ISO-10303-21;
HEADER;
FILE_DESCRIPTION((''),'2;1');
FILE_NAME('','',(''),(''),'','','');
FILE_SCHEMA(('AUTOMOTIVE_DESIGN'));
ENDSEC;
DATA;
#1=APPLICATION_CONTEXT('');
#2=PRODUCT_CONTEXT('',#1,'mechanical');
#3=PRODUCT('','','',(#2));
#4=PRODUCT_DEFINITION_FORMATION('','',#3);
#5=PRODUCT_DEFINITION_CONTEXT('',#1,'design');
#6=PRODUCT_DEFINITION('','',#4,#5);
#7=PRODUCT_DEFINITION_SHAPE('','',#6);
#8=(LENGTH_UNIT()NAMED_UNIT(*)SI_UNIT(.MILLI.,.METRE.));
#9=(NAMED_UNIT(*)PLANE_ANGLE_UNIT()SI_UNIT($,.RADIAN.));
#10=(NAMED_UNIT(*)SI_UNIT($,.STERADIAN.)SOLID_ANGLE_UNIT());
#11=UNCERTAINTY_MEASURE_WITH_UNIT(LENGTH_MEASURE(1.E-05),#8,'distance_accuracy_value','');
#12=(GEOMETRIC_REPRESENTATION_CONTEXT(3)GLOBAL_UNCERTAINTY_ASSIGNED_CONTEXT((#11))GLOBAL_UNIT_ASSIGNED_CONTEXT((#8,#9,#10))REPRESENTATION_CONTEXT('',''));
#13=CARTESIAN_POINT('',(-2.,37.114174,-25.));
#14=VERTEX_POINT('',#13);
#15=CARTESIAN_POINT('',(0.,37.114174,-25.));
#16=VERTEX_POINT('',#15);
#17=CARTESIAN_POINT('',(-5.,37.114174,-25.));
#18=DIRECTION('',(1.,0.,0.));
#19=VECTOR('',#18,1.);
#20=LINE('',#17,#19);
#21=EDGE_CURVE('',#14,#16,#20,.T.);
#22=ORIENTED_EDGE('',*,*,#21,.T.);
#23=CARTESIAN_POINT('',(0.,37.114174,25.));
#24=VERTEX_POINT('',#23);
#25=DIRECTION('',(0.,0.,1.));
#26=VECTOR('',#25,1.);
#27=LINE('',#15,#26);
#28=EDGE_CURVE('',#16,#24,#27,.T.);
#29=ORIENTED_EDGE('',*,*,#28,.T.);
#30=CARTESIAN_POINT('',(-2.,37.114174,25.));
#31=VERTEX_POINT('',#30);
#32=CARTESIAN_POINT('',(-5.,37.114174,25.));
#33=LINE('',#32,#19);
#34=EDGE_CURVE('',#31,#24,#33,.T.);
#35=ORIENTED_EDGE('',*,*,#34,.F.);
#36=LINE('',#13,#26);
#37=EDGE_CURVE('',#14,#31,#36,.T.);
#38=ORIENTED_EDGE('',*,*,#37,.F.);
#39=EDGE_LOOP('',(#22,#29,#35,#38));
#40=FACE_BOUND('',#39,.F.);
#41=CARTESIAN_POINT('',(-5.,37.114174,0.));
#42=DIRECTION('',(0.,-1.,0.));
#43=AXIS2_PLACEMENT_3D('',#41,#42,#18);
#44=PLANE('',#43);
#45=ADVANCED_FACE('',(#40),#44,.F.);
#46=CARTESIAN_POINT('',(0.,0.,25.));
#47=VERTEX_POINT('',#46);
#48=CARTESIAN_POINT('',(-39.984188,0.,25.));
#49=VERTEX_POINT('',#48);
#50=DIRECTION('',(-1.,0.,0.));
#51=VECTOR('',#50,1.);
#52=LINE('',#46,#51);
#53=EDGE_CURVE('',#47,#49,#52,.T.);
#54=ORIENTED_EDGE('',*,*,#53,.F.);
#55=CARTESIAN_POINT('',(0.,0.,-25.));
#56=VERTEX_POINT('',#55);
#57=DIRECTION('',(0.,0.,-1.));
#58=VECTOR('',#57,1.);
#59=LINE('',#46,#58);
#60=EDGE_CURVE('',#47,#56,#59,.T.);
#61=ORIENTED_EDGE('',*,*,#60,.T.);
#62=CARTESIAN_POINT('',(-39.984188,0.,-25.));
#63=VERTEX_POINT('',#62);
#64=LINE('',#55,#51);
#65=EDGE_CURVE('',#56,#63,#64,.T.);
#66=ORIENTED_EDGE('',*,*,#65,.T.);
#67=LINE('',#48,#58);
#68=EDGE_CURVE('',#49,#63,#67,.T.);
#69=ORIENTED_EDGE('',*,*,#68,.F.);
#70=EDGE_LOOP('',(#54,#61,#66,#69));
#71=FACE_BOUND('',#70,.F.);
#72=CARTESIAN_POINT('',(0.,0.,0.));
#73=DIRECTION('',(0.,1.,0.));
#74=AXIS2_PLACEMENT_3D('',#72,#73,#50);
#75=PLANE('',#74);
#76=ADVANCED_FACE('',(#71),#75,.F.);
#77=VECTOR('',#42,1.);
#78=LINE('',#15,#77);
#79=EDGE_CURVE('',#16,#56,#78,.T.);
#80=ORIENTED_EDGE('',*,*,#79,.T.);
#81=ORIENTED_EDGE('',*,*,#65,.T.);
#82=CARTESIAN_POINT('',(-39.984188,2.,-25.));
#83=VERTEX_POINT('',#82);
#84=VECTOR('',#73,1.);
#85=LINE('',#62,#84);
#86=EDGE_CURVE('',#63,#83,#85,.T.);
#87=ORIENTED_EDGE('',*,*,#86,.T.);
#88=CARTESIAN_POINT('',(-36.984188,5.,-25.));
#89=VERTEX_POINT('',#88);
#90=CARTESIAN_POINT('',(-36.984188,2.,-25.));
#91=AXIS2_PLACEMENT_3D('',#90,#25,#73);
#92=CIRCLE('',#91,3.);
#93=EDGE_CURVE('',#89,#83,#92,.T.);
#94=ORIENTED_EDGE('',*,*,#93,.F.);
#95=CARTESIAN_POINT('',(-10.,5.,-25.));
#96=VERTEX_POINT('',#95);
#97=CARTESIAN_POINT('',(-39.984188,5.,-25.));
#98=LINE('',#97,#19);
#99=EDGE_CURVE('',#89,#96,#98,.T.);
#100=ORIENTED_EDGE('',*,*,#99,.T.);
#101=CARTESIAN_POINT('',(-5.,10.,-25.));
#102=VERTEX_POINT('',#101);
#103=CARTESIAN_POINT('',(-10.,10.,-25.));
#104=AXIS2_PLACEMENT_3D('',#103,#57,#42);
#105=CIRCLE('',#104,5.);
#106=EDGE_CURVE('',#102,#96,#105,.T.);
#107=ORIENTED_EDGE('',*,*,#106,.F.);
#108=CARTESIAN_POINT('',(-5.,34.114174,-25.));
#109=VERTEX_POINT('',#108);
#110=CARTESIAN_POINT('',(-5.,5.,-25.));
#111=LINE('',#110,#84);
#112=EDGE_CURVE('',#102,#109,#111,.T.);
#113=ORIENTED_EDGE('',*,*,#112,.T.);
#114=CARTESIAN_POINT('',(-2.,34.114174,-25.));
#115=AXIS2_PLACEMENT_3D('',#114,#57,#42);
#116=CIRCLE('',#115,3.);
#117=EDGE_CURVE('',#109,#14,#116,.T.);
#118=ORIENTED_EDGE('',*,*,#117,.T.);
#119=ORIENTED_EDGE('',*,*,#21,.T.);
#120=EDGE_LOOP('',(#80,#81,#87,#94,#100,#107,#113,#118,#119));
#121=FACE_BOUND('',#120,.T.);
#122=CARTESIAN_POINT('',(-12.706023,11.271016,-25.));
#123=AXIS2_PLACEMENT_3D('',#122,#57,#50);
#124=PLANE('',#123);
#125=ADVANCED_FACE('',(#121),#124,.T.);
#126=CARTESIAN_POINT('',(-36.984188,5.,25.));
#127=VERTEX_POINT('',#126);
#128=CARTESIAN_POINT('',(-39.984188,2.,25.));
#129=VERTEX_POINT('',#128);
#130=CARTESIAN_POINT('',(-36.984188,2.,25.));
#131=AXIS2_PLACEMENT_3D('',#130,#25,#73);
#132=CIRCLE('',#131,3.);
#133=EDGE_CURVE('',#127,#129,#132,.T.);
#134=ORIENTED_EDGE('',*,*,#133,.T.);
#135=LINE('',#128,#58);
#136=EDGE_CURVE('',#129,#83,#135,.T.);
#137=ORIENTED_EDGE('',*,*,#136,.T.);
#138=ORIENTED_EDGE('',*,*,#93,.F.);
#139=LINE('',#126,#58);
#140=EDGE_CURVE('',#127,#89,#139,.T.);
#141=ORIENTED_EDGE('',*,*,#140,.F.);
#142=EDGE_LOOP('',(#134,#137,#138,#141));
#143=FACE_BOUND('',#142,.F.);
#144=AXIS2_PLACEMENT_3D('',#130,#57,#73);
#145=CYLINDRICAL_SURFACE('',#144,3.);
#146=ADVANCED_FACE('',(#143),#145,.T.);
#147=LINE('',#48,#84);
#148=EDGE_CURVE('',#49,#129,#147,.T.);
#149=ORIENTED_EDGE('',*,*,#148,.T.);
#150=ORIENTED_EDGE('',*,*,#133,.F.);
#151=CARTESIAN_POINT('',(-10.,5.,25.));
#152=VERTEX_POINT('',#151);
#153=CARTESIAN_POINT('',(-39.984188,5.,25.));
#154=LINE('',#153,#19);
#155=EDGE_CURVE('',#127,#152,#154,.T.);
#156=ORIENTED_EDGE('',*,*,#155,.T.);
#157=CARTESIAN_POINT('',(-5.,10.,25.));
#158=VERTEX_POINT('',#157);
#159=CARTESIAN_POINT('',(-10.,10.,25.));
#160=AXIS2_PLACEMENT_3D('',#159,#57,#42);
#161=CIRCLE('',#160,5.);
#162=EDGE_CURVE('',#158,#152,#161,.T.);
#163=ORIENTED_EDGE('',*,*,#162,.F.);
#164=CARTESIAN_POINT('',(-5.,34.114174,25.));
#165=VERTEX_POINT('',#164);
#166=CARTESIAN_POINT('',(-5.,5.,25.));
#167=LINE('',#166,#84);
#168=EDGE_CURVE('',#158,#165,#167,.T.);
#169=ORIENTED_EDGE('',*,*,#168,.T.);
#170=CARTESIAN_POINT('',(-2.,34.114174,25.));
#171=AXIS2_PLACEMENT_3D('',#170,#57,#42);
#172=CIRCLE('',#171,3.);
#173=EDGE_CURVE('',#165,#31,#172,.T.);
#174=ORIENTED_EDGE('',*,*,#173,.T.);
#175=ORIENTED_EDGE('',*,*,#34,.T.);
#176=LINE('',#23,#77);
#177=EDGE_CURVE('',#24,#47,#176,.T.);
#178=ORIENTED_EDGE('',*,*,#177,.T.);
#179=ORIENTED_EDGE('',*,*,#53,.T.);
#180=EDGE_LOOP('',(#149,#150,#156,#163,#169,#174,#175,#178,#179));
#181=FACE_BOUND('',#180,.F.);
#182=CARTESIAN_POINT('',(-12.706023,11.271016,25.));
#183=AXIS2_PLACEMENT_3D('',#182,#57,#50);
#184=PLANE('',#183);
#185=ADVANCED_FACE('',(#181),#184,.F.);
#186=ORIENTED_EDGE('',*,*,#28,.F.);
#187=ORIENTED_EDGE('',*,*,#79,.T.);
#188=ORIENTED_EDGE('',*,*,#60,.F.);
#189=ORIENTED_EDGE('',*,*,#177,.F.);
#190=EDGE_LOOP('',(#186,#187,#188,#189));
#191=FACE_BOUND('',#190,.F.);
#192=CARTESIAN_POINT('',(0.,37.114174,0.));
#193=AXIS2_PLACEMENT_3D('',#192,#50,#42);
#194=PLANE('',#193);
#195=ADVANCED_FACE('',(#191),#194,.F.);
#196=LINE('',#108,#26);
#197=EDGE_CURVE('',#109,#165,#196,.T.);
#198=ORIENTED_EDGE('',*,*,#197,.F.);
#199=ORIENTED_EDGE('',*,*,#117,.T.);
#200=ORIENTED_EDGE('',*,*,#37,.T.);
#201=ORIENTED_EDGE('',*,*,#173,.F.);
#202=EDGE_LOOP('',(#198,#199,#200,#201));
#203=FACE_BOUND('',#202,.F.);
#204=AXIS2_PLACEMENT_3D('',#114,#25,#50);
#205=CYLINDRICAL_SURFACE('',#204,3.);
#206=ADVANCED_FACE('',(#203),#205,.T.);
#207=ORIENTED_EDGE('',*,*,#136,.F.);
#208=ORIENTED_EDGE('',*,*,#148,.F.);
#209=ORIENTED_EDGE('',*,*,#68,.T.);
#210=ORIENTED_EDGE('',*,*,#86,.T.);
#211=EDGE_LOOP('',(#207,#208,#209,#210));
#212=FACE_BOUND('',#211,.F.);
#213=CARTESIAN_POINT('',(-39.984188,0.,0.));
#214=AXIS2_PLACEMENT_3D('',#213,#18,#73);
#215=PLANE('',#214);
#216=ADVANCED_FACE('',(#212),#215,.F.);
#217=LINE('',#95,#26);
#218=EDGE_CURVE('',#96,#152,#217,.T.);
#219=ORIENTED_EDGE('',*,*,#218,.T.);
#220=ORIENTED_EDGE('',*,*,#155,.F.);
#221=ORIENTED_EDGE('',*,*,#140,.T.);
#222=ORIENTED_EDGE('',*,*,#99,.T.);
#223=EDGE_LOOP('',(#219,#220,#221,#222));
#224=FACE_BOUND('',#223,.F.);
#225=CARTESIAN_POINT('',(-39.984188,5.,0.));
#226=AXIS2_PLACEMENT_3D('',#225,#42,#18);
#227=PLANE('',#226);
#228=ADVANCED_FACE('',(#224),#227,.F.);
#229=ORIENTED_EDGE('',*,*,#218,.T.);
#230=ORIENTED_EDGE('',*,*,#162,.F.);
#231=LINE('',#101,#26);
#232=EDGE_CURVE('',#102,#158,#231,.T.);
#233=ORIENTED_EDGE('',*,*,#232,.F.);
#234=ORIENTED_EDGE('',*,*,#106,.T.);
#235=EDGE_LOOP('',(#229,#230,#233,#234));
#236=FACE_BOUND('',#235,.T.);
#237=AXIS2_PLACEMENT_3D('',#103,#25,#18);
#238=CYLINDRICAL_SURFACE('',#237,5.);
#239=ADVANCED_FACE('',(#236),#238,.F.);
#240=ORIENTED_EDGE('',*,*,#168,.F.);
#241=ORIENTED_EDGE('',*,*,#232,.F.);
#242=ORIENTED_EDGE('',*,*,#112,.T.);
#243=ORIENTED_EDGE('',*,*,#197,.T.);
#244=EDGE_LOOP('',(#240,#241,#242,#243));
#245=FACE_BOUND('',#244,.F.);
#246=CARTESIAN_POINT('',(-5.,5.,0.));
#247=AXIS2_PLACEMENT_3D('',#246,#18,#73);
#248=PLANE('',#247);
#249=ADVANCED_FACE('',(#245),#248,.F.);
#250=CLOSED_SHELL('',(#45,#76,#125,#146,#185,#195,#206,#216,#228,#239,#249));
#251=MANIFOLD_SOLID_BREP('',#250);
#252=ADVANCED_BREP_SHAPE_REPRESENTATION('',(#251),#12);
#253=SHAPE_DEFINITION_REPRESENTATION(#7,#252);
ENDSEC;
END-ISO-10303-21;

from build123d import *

# Parameters (mm, degrees)
PAD_DEPTH   = 25
FILLET_R    = 3
FILLET001_R = 3
FILLET002_R = 5


with BuildPart() as part:
    # Sketch → Pad (new body, symmetric)
    with BuildSketch(Plane.XY):
        Polygon((0, 37.114174), (0, 0), (-39.984188, 0), (-39.984188, 5), (-5, 5), (-5, 37.114174), align=None)
    extrude(amount=PAD_DEPTH, both=True)

    # Fillet
    fillet_edges = [part.edges().sort_by_distance(p)[0] for p in [
        (-39.984188, 5, 0),
    ]]
    fillet(fillet_edges, radius=FILLET_R)

    # Fillet001
    fillet001_edges = [part.edges().sort_by_distance(p)[0] for p in [
        (-5, 37.114174, 0),
    ]]
    fillet(fillet001_edges, radius=FILLET001_R)

    # Fillet002
    fillet002_edges = [part.edges().sort_by_distance(p)[0] for p in [
        (-5, 5, 0),
    ]]
    fillet(fillet002_edges, radius=FILLET002_R)


solid = part.part
